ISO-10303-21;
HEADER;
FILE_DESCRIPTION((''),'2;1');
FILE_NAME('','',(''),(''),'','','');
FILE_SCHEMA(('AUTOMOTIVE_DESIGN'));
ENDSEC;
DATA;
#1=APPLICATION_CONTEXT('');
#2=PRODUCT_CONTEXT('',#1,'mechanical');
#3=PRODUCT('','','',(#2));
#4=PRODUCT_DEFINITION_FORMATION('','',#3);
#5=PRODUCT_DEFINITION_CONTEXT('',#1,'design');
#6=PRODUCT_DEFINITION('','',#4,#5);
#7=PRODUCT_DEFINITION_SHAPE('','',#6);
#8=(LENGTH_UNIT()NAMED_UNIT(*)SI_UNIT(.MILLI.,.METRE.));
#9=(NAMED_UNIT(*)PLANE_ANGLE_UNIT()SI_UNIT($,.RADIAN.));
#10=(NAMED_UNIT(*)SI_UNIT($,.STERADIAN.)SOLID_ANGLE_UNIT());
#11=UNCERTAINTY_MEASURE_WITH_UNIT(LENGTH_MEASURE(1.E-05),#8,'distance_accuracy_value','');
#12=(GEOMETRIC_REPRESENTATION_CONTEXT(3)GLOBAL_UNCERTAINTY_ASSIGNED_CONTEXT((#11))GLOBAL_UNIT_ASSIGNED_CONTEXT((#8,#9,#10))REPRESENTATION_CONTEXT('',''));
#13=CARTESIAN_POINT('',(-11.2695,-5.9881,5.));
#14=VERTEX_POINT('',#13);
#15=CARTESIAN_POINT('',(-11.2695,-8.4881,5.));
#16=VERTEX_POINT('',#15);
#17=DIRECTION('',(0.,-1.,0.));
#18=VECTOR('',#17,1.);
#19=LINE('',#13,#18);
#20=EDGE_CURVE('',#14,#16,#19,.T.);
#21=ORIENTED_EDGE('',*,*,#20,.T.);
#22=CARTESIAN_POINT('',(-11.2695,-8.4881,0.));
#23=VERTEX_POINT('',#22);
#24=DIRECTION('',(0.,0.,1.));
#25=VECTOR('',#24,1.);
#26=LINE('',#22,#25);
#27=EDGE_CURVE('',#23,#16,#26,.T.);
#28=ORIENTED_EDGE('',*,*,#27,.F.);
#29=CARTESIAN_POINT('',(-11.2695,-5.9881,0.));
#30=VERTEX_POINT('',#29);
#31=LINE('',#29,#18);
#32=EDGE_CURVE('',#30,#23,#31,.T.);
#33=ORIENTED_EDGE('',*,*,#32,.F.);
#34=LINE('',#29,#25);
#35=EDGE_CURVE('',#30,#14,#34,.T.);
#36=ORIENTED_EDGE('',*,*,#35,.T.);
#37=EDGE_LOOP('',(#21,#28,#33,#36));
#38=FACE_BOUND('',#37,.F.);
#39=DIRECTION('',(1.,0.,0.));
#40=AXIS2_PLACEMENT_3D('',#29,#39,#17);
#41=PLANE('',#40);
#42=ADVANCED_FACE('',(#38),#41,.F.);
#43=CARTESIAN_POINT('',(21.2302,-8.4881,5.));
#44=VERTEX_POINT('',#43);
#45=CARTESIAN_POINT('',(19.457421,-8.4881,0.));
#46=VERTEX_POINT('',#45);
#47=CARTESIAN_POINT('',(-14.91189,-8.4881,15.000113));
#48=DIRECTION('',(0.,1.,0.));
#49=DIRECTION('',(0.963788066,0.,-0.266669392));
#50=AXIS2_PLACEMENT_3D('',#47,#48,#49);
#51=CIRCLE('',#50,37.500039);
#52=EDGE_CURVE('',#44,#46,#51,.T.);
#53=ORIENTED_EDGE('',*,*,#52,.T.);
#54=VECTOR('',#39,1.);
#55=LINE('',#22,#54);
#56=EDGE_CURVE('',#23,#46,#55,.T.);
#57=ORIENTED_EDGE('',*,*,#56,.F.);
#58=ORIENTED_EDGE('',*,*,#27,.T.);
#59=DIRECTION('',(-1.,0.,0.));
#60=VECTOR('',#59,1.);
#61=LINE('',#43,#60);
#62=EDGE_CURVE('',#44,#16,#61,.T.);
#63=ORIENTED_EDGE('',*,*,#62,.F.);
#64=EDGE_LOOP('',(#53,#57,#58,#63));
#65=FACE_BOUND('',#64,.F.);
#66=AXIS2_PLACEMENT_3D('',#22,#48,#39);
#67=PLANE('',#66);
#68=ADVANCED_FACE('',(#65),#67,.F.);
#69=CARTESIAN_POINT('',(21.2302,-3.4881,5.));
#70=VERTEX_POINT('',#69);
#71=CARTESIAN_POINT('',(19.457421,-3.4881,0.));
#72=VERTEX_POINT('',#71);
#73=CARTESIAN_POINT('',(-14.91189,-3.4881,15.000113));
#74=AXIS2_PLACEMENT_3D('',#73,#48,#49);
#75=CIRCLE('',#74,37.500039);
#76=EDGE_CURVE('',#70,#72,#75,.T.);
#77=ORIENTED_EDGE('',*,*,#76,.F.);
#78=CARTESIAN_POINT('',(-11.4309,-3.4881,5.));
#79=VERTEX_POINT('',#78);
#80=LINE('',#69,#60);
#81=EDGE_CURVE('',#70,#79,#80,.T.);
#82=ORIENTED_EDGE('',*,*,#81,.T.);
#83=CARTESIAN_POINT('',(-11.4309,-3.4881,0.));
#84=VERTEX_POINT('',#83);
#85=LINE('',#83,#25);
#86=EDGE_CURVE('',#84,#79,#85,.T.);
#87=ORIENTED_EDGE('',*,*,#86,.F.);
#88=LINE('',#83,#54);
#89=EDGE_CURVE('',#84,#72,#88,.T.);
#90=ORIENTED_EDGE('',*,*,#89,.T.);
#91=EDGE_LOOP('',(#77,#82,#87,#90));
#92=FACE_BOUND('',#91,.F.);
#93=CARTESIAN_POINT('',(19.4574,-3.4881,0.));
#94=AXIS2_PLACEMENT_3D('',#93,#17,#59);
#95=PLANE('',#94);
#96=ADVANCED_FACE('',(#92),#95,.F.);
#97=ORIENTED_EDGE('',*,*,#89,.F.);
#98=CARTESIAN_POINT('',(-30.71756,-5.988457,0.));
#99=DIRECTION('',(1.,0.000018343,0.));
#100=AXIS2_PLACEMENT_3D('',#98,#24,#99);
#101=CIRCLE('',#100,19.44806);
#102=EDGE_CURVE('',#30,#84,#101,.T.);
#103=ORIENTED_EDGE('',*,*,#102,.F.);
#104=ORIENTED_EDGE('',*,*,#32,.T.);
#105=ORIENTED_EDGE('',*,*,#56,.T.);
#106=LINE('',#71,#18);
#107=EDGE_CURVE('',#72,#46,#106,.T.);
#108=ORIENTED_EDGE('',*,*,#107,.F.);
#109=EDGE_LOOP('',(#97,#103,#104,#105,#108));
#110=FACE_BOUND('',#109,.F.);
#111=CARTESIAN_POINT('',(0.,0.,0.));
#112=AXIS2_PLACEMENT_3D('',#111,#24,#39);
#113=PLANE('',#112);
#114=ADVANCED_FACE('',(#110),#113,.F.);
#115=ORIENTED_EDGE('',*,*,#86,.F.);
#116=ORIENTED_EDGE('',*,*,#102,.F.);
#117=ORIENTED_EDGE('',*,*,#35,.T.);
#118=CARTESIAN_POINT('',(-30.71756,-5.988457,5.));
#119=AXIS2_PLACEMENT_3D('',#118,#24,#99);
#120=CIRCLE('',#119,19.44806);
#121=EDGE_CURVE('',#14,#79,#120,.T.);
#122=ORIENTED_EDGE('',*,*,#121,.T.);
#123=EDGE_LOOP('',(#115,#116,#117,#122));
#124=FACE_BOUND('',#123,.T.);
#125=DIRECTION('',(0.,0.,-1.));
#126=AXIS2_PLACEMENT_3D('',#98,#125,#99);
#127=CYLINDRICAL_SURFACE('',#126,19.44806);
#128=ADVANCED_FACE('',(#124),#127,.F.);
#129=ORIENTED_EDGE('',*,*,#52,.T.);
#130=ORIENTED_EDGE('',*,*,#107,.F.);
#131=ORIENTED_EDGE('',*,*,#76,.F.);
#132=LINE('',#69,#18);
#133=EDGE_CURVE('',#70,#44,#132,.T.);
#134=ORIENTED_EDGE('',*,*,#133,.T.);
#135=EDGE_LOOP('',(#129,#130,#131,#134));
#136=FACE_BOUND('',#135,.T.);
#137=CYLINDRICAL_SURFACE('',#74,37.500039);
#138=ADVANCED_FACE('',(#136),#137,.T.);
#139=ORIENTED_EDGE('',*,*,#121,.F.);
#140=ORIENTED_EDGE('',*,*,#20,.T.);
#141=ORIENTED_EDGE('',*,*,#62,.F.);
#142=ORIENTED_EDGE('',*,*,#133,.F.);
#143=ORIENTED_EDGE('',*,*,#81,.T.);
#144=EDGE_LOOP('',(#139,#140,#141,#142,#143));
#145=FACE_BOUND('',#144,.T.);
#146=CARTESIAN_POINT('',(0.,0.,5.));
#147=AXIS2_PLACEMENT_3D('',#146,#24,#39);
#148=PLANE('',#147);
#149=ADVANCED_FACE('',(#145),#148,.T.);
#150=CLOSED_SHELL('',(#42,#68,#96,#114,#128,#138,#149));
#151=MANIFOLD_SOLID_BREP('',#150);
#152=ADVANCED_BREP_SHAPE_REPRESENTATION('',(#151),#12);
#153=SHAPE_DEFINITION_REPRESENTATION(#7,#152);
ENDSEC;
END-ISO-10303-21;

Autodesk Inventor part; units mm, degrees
ref_plane "YZ Plane" through (0, 0, 0) normal (1, 0, 0) x (0, 1, 0)
ref_plane "XZ Plane" through (0, 0, 0) normal (0, 1, 0) x (-1, 0, 0)
sketch "Sketch1" plane through (0, 0, 0) normal (0, 0, 1) x (1, 0, 0)
  line L0 (19.4574, -8.4881) -> (19.4574, -3.4881) projected
  line L1 (-16.2695, -8.4881) -> (19.4574, -8.4881) projected
  line L2 (-16.2695, -5.9881) -> (-16.2695, -8.4881) projected
  arc A0 (-16.2695, -5.9881) -> (-20.498, 4.2204) centre (-30.7065, -5.9881) ccw projected
  arc A1 (-16.9624, 7.7559) -> (-20.498, 4.2204) centre (-18.7302, 5.9881) ccw projected
  arc A2 (-11.4309, -3.4881) -> (-16.9624, 7.7559) centre (-30.7065, -5.9881) ccw projected
  line L3 (19.4574, -3.4881) -> (-11.4309, -3.4881) projected
  arc A3 (-11.2695, -5.9881) -> (-11.4309, -3.4881) centre (-30.7065, -5.9881) ccw
  line L4 (-11.2695, -5.9881) -> (-11.2695, -8.4881)
  line L5 (-11.2695, -8.4881) -> (19.4574, -8.4881)
  line L6 (19.4574, -8.4881) -> (19.4574, -3.4881)
  line L7 (19.4574, -3.4881) -> (-11.4309, -3.4881)
  line L8 (21.2302, -3.4881) -> (-11.4309, -3.4881) projected
  arc A4 (-11.4309, -3.4881) -> (-16.9624, 7.7559) centre (-30.7065, -5.9881) ccw projected
  arc A5 (-16.9624, 7.7559) -> (-20.498, 4.2204) centre (-18.7302, 5.9881) ccw projected
  arc A6 (-16.2695, -5.9881) -> (-20.498, 4.2204) centre (-30.7065, -5.9881) ccw projected
  line L9 (-16.2695, -5.9881) -> (-16.2695, -8.4881) projected
  line L10 (-16.2695, -8.4881) -> (21.2302, -8.4881) projected
  line L11 (21.2302, -25.9881) -> (21.2302, -8.4881) projected
  line L12 (21.2302, -25.9881) -> (-52.4119, -25.9881) projected
  line L13 (-52.4119, -25.9881) -> (-52.4119, 14.0119) projected
  line L14 (21.2302, 14.0119) -> (-52.4119, 14.0119) projected
  line L15 (21.2302, -3.4881) -> (21.2302, 14.0119) projected
  circle A7 centre (-30.7065, -5.9881) radius 9.525 projected
  line L16 (19.4574, -3.4881) -> (21.2302, -3.4881)
  line L17 (21.2302, -3.4881) -> (21.2302, -8.4881)
  line L18 (21.2302, -8.4881) -> (19.4574, -8.4881)
  line L19 (19.4574, -8.4881) -> (19.4574, -3.4881)
  point P0 (0, 0)
ref_plane "Work Plane1" through (-44.9119, -25.9881, 5) normal (0, 0, 1) x (1, 0, 0)
extrude "Extrusion1" add sketch "Sketch1" along normal up to surface (5 mm away) contours L1 L4 A3 L3 L0 | L0 L8 L17 L10
sketch "Sketch2" plane through (-11.4309, -3.4881, 0) normal (0, 1, 0) x (1, 0, 0)
  line L0 (32.6611, -25) -> (-40.9809, -25) projected
  line L1 (-40.9809, -25) -> (-40.9809, -5) projected
  line L2 (-40.9809, -5) -> (32.6611, -5) projected
  arc A0 (32.6611, -5) -> (-38.4667, -1.5) centre (-3.4809, -15) ccw projected
  line L3 (-38.4667, -1.5) -> (-43.4667, -1.5) projected
  line L4 (-43.4667, -1.5) -> (-47.1748, -15) projected
  line L5 (-47.1748, -15) -> (-43.4667, -28.5) projected
  line L6 (-43.4667, -28.5) -> (-38.4667, -28.5) projected
  arc A1 (-38.4667, -28.5) -> (32.6611, -25) centre (-3.4809, -15) ccw projected
  line L7 (32.6611, 0) -> (0, 0) projected
  line L8 (32.6611, 0) -> (32.6611, -5) projected
  point P0 (11.4309, 0)
  point P1 (30.8884, 0)
extrude "Extrusion2" cut sketch "Sketch2" against normal through all contours A0 L7 L8
properties part number "HandleBaseFiller"
